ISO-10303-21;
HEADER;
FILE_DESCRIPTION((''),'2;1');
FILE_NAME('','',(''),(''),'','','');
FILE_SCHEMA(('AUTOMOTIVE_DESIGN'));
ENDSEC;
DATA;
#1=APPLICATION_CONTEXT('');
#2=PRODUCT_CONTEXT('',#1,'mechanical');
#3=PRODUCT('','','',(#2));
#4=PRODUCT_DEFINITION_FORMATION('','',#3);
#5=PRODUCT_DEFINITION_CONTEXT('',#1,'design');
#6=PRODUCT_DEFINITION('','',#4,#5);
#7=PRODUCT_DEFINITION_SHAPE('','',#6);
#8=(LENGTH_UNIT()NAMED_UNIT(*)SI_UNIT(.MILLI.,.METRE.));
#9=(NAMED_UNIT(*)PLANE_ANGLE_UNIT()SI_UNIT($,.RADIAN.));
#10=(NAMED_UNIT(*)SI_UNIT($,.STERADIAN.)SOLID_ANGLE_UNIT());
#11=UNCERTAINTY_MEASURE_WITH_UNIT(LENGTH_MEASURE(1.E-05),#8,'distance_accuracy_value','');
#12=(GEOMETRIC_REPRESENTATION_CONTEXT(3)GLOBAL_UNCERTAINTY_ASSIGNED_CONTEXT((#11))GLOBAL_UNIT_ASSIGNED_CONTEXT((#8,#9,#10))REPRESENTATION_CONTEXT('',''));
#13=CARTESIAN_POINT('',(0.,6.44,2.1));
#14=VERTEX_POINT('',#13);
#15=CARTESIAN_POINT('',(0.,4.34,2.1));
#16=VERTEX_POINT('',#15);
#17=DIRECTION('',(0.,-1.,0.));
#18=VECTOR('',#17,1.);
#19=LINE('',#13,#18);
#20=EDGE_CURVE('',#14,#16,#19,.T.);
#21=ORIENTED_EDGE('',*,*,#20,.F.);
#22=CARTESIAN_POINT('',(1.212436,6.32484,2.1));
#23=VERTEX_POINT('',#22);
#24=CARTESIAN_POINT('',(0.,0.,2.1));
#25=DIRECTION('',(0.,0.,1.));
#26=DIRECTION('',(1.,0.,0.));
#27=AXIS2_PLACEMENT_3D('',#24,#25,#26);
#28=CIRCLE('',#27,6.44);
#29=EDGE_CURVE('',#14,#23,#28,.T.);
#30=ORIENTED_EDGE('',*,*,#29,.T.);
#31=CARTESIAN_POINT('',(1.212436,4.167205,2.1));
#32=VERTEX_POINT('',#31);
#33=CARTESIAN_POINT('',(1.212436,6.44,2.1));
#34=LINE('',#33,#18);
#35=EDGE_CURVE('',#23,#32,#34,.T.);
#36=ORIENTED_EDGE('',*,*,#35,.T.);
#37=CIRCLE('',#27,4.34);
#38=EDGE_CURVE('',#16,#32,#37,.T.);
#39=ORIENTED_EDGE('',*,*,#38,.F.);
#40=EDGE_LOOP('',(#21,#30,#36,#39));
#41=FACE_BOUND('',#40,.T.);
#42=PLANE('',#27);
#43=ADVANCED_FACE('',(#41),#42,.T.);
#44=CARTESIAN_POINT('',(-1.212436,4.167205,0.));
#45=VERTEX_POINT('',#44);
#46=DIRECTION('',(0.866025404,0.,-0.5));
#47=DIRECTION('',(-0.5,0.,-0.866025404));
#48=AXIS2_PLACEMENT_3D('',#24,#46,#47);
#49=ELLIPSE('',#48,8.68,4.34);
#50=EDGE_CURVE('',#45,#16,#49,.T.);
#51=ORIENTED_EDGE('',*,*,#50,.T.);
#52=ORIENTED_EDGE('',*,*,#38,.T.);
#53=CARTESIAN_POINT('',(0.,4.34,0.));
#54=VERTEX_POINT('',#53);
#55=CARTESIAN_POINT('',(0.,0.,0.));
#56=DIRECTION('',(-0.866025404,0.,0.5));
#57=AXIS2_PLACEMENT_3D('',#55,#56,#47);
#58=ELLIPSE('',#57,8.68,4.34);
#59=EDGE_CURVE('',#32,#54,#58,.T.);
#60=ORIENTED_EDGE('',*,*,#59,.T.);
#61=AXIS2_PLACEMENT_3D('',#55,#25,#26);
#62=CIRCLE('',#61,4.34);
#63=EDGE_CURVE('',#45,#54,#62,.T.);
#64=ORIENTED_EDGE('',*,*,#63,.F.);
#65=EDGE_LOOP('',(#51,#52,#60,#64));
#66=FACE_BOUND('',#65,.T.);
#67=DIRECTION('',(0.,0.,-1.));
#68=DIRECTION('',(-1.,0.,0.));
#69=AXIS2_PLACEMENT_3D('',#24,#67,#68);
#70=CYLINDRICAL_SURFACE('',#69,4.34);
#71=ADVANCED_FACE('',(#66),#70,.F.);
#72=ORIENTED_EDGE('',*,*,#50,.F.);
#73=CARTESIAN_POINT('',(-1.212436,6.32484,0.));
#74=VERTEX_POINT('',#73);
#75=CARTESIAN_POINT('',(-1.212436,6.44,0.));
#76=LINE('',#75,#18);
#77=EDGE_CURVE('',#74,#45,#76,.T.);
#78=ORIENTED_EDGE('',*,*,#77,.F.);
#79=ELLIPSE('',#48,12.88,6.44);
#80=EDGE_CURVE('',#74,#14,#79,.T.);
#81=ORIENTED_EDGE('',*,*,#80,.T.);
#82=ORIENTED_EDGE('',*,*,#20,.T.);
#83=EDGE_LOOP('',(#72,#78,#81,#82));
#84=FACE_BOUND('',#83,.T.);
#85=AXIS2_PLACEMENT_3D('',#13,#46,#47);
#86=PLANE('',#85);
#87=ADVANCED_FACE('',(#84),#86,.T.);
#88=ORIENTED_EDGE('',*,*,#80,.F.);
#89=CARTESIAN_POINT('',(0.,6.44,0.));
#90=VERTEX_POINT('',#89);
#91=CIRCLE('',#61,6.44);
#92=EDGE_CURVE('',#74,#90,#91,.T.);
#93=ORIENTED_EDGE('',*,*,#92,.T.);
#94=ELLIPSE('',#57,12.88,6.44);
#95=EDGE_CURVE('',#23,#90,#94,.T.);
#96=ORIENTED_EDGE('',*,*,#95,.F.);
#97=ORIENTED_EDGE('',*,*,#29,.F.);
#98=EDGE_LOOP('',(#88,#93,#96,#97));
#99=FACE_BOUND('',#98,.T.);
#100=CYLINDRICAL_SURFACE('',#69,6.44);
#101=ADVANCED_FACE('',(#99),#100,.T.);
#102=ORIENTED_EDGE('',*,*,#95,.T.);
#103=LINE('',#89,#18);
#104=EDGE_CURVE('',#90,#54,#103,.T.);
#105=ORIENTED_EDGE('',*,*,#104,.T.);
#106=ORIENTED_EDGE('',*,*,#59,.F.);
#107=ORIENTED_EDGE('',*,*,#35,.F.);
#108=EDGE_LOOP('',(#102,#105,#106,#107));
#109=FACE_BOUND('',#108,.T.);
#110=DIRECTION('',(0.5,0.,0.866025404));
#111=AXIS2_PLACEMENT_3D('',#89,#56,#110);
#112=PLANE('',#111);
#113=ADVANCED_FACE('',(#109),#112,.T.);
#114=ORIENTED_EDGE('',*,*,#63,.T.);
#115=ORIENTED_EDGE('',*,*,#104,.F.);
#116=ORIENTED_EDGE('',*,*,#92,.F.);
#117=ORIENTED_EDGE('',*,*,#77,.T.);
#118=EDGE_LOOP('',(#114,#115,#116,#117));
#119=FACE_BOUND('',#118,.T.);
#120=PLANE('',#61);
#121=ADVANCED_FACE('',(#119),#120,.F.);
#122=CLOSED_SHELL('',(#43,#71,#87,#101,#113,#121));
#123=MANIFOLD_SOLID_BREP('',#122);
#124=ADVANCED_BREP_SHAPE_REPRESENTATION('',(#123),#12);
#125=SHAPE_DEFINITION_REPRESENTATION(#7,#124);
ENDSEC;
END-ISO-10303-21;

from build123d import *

# Parameters (mm, degrees)
SKETCH_1_R          = 6.44
SKETCH_1_R_2        = 4.34
EXTRUDE_1_DEPTH     = 2.1
CUT_EXTRUDE_1_DEPTH = 7.44


with BuildPart() as part:
    # 草图1 → 凸台-拉伸1 (new body)
    with BuildSketch(Plane.XY):
        Circle(SKETCH_1_R)
        Circle(SKETCH_1_R_2, mode=Mode.SUBTRACT)
    extrude(amount=EXTRUDE_1_DEPTH)

    # 草图2 → 切除-拉伸1 (cut, through all)
    with BuildSketch(Plane(origin=(0, 0, 0), x_dir=(1, 0, 0), z_dir=(0, 1, 0))):
        Polygon((0, 0), (1.212435565, -2.1), (0, -2.1), (-1.212435565, 0), align=None)
    extrude(amount=CUT_EXTRUDE_1_DEPTH, mode=Mode.SUBTRACT)


solid = part.part
